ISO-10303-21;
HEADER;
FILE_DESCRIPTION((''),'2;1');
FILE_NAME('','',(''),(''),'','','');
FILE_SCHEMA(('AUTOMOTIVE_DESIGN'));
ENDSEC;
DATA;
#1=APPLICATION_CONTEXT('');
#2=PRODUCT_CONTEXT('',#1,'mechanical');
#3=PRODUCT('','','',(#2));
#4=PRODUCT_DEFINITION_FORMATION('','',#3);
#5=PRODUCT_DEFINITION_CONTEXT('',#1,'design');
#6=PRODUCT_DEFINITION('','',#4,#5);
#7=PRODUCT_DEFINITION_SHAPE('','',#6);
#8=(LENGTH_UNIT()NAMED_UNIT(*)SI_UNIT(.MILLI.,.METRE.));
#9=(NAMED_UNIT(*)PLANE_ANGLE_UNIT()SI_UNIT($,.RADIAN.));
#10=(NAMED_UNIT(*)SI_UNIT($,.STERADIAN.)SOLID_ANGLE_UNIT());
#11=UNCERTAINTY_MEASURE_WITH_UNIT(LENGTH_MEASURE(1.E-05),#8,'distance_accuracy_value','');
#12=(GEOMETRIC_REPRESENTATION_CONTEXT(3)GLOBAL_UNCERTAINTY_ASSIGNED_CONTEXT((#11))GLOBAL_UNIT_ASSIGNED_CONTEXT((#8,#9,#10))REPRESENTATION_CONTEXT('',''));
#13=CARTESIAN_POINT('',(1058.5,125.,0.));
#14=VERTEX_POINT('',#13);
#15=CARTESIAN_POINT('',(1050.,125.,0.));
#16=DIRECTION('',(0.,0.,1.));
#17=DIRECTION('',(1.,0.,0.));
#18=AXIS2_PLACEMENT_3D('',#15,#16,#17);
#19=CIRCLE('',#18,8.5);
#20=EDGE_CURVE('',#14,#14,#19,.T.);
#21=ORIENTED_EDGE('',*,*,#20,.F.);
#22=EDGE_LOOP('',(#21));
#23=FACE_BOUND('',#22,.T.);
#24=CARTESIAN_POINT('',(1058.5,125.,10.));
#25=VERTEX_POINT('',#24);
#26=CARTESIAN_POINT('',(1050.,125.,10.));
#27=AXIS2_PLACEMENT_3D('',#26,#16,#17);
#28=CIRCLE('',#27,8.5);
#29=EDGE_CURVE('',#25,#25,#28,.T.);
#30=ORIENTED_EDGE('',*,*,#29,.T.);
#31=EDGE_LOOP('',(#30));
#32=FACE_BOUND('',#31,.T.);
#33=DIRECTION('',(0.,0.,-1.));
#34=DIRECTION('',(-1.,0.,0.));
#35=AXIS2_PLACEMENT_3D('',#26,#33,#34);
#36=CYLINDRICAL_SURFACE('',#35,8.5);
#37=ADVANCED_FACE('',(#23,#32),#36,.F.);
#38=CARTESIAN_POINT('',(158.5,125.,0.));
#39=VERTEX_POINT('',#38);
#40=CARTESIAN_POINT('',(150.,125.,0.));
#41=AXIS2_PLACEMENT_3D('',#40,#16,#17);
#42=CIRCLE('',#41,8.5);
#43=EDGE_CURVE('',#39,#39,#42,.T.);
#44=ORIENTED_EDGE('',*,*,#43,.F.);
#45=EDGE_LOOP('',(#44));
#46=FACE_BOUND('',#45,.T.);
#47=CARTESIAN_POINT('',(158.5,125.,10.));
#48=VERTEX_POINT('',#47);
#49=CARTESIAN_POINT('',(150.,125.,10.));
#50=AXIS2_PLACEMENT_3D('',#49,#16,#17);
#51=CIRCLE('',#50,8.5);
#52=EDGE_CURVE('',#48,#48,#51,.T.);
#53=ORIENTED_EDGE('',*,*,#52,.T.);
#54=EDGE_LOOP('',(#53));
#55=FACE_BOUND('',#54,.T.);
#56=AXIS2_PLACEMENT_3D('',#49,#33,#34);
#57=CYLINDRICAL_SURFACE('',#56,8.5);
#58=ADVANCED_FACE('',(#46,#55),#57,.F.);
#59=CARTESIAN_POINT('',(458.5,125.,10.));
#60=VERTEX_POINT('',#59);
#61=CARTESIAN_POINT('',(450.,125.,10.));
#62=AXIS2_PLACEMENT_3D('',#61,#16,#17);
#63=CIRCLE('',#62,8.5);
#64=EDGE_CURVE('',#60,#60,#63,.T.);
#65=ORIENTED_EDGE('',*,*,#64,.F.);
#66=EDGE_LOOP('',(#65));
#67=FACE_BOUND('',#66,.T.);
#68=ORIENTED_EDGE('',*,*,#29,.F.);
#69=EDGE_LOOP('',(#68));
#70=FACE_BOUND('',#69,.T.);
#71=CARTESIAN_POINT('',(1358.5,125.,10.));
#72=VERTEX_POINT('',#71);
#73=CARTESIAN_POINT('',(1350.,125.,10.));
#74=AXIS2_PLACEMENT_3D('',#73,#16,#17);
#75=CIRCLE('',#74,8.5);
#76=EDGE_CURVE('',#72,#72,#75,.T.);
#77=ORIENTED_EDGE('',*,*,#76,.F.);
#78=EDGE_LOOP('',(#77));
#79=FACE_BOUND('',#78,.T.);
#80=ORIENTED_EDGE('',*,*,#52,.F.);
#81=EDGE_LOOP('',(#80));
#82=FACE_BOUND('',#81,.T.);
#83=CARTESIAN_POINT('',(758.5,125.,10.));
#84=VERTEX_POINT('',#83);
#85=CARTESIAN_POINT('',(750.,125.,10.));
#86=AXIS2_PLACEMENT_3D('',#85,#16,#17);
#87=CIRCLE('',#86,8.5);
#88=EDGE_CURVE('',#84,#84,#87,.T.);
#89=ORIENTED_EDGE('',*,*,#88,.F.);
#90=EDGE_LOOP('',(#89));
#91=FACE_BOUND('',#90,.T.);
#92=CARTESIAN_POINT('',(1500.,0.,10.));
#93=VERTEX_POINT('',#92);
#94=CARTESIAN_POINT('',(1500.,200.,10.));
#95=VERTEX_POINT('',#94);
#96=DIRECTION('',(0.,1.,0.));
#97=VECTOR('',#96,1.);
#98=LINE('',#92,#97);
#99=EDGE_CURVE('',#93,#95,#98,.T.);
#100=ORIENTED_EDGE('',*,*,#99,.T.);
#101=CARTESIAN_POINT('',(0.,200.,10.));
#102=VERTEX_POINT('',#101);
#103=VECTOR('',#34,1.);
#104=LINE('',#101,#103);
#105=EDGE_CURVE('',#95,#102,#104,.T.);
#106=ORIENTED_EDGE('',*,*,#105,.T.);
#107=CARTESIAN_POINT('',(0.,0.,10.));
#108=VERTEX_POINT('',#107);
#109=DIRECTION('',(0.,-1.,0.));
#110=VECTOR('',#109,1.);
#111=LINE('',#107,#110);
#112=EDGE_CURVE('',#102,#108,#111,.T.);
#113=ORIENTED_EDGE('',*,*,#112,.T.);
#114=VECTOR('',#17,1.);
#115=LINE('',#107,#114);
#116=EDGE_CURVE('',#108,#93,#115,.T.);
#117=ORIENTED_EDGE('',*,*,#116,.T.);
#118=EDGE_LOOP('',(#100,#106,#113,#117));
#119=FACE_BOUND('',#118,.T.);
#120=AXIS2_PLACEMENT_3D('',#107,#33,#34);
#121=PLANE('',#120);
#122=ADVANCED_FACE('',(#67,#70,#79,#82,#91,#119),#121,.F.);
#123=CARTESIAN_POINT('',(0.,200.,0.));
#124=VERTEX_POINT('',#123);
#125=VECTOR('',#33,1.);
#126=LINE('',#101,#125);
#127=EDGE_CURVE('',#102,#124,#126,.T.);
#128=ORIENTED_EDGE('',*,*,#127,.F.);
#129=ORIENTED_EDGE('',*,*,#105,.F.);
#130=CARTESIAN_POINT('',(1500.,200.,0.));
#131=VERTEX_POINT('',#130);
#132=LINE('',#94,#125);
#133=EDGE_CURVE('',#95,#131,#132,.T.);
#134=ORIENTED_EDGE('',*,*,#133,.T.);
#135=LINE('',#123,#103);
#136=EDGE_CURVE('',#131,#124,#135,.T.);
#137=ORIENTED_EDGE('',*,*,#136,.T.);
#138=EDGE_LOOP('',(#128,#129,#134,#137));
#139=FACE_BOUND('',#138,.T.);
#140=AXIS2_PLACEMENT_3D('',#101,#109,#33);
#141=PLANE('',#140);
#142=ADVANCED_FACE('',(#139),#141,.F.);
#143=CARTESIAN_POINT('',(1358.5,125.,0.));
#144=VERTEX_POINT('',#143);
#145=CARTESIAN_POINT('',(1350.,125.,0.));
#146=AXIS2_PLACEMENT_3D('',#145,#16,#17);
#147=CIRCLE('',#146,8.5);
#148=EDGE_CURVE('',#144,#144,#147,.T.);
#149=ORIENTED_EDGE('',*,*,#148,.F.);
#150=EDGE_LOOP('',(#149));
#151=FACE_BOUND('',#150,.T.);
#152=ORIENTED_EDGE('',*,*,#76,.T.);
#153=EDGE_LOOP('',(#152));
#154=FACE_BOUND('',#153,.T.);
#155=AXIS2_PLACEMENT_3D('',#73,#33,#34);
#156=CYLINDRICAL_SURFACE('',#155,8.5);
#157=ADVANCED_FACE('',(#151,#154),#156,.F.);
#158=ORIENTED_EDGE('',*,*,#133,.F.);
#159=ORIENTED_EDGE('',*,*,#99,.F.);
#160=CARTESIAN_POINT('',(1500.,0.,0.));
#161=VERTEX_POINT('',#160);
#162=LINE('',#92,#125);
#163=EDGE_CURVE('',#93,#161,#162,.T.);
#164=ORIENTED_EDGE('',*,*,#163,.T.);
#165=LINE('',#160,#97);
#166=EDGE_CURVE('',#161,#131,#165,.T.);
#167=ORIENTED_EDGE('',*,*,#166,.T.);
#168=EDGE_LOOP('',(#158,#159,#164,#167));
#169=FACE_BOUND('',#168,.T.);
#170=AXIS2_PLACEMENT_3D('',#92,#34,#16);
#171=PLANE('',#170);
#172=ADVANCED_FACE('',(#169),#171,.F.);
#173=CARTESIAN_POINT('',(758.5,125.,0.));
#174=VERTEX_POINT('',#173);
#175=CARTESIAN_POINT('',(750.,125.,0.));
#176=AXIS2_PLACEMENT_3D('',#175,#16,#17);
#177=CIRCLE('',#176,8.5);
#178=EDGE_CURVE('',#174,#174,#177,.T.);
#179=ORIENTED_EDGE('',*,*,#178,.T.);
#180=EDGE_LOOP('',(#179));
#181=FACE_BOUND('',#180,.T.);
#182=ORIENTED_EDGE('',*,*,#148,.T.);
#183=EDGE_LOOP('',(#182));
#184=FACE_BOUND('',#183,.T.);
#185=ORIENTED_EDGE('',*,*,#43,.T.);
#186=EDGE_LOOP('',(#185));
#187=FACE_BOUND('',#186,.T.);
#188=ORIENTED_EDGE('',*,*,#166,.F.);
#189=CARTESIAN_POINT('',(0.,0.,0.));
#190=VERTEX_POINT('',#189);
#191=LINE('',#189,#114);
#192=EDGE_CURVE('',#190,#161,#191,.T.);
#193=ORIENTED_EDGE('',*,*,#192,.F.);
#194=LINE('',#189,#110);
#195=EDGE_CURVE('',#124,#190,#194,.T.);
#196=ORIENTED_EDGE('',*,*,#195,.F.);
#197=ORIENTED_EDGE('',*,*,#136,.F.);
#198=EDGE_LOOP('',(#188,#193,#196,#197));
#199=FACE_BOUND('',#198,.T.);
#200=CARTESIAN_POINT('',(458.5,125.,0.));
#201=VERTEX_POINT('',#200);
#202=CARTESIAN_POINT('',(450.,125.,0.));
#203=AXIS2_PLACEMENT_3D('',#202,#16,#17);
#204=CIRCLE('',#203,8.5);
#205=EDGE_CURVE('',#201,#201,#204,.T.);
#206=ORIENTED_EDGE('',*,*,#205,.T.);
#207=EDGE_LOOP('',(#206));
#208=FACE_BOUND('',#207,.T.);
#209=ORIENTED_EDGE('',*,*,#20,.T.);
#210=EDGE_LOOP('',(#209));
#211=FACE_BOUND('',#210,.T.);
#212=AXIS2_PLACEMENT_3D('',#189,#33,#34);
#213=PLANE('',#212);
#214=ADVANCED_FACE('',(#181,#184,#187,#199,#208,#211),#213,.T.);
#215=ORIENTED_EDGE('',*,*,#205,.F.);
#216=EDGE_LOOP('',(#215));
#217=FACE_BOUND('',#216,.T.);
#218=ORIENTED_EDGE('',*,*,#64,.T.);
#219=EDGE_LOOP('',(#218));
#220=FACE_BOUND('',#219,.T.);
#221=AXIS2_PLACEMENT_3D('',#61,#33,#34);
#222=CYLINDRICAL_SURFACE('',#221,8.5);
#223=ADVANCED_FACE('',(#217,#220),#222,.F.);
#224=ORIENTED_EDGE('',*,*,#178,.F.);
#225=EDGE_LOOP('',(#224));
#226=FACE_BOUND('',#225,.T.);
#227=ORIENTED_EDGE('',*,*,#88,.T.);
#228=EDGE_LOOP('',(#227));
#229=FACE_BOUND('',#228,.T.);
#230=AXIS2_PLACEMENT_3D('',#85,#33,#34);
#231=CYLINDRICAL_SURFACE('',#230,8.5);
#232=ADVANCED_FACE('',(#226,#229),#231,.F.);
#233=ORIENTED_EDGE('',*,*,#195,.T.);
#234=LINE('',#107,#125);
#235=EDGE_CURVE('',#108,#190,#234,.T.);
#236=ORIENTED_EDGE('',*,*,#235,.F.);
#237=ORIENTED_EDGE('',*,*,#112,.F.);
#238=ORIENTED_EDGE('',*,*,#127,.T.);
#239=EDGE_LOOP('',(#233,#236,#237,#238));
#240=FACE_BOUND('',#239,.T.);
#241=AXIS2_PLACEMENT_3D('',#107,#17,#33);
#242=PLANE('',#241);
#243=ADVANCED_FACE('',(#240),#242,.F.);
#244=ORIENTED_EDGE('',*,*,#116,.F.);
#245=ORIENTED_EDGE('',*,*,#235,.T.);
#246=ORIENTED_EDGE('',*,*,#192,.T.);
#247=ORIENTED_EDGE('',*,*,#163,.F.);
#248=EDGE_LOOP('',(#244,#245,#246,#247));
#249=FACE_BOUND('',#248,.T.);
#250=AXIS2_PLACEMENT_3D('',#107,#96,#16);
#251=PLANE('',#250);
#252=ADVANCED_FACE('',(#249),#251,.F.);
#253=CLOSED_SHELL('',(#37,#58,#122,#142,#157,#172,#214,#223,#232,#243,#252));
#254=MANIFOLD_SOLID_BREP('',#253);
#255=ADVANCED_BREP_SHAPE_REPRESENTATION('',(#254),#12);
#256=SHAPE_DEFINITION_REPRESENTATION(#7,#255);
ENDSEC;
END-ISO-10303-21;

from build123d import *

# Parameters (mm, degrees)
SKETCH1_W           = 1500
SKETCH1_H           = 200
SKETCH1_R           = 8.5
BOSS_EXTRUDE1_DEPTH = 10


with BuildPart() as part:
    # Sketch1 → Boss-Extrude1 (new body)
    with BuildSketch(Plane.XY):
        with Locations((750, 100)):
            Rectangle(SKETCH1_W, SKETCH1_H)
        with Locations((150, 125)):
            Circle(SKETCH1_R, mode=Mode.SUBTRACT)
        with Locations((450, 125)):
            Circle(SKETCH1_R, mode=Mode.SUBTRACT)
        with Locations((750, 125)):
            Circle(SKETCH1_R, mode=Mode.SUBTRACT)
        with Locations((1050, 125)):
            Circle(SKETCH1_R, mode=Mode.SUBTRACT)
        with Locations((1350, 125)):
            Circle(SKETCH1_R, mode=Mode.SUBTRACT)
    extrude(amount=BOSS_EXTRUDE1_DEPTH)


solid = part.part
